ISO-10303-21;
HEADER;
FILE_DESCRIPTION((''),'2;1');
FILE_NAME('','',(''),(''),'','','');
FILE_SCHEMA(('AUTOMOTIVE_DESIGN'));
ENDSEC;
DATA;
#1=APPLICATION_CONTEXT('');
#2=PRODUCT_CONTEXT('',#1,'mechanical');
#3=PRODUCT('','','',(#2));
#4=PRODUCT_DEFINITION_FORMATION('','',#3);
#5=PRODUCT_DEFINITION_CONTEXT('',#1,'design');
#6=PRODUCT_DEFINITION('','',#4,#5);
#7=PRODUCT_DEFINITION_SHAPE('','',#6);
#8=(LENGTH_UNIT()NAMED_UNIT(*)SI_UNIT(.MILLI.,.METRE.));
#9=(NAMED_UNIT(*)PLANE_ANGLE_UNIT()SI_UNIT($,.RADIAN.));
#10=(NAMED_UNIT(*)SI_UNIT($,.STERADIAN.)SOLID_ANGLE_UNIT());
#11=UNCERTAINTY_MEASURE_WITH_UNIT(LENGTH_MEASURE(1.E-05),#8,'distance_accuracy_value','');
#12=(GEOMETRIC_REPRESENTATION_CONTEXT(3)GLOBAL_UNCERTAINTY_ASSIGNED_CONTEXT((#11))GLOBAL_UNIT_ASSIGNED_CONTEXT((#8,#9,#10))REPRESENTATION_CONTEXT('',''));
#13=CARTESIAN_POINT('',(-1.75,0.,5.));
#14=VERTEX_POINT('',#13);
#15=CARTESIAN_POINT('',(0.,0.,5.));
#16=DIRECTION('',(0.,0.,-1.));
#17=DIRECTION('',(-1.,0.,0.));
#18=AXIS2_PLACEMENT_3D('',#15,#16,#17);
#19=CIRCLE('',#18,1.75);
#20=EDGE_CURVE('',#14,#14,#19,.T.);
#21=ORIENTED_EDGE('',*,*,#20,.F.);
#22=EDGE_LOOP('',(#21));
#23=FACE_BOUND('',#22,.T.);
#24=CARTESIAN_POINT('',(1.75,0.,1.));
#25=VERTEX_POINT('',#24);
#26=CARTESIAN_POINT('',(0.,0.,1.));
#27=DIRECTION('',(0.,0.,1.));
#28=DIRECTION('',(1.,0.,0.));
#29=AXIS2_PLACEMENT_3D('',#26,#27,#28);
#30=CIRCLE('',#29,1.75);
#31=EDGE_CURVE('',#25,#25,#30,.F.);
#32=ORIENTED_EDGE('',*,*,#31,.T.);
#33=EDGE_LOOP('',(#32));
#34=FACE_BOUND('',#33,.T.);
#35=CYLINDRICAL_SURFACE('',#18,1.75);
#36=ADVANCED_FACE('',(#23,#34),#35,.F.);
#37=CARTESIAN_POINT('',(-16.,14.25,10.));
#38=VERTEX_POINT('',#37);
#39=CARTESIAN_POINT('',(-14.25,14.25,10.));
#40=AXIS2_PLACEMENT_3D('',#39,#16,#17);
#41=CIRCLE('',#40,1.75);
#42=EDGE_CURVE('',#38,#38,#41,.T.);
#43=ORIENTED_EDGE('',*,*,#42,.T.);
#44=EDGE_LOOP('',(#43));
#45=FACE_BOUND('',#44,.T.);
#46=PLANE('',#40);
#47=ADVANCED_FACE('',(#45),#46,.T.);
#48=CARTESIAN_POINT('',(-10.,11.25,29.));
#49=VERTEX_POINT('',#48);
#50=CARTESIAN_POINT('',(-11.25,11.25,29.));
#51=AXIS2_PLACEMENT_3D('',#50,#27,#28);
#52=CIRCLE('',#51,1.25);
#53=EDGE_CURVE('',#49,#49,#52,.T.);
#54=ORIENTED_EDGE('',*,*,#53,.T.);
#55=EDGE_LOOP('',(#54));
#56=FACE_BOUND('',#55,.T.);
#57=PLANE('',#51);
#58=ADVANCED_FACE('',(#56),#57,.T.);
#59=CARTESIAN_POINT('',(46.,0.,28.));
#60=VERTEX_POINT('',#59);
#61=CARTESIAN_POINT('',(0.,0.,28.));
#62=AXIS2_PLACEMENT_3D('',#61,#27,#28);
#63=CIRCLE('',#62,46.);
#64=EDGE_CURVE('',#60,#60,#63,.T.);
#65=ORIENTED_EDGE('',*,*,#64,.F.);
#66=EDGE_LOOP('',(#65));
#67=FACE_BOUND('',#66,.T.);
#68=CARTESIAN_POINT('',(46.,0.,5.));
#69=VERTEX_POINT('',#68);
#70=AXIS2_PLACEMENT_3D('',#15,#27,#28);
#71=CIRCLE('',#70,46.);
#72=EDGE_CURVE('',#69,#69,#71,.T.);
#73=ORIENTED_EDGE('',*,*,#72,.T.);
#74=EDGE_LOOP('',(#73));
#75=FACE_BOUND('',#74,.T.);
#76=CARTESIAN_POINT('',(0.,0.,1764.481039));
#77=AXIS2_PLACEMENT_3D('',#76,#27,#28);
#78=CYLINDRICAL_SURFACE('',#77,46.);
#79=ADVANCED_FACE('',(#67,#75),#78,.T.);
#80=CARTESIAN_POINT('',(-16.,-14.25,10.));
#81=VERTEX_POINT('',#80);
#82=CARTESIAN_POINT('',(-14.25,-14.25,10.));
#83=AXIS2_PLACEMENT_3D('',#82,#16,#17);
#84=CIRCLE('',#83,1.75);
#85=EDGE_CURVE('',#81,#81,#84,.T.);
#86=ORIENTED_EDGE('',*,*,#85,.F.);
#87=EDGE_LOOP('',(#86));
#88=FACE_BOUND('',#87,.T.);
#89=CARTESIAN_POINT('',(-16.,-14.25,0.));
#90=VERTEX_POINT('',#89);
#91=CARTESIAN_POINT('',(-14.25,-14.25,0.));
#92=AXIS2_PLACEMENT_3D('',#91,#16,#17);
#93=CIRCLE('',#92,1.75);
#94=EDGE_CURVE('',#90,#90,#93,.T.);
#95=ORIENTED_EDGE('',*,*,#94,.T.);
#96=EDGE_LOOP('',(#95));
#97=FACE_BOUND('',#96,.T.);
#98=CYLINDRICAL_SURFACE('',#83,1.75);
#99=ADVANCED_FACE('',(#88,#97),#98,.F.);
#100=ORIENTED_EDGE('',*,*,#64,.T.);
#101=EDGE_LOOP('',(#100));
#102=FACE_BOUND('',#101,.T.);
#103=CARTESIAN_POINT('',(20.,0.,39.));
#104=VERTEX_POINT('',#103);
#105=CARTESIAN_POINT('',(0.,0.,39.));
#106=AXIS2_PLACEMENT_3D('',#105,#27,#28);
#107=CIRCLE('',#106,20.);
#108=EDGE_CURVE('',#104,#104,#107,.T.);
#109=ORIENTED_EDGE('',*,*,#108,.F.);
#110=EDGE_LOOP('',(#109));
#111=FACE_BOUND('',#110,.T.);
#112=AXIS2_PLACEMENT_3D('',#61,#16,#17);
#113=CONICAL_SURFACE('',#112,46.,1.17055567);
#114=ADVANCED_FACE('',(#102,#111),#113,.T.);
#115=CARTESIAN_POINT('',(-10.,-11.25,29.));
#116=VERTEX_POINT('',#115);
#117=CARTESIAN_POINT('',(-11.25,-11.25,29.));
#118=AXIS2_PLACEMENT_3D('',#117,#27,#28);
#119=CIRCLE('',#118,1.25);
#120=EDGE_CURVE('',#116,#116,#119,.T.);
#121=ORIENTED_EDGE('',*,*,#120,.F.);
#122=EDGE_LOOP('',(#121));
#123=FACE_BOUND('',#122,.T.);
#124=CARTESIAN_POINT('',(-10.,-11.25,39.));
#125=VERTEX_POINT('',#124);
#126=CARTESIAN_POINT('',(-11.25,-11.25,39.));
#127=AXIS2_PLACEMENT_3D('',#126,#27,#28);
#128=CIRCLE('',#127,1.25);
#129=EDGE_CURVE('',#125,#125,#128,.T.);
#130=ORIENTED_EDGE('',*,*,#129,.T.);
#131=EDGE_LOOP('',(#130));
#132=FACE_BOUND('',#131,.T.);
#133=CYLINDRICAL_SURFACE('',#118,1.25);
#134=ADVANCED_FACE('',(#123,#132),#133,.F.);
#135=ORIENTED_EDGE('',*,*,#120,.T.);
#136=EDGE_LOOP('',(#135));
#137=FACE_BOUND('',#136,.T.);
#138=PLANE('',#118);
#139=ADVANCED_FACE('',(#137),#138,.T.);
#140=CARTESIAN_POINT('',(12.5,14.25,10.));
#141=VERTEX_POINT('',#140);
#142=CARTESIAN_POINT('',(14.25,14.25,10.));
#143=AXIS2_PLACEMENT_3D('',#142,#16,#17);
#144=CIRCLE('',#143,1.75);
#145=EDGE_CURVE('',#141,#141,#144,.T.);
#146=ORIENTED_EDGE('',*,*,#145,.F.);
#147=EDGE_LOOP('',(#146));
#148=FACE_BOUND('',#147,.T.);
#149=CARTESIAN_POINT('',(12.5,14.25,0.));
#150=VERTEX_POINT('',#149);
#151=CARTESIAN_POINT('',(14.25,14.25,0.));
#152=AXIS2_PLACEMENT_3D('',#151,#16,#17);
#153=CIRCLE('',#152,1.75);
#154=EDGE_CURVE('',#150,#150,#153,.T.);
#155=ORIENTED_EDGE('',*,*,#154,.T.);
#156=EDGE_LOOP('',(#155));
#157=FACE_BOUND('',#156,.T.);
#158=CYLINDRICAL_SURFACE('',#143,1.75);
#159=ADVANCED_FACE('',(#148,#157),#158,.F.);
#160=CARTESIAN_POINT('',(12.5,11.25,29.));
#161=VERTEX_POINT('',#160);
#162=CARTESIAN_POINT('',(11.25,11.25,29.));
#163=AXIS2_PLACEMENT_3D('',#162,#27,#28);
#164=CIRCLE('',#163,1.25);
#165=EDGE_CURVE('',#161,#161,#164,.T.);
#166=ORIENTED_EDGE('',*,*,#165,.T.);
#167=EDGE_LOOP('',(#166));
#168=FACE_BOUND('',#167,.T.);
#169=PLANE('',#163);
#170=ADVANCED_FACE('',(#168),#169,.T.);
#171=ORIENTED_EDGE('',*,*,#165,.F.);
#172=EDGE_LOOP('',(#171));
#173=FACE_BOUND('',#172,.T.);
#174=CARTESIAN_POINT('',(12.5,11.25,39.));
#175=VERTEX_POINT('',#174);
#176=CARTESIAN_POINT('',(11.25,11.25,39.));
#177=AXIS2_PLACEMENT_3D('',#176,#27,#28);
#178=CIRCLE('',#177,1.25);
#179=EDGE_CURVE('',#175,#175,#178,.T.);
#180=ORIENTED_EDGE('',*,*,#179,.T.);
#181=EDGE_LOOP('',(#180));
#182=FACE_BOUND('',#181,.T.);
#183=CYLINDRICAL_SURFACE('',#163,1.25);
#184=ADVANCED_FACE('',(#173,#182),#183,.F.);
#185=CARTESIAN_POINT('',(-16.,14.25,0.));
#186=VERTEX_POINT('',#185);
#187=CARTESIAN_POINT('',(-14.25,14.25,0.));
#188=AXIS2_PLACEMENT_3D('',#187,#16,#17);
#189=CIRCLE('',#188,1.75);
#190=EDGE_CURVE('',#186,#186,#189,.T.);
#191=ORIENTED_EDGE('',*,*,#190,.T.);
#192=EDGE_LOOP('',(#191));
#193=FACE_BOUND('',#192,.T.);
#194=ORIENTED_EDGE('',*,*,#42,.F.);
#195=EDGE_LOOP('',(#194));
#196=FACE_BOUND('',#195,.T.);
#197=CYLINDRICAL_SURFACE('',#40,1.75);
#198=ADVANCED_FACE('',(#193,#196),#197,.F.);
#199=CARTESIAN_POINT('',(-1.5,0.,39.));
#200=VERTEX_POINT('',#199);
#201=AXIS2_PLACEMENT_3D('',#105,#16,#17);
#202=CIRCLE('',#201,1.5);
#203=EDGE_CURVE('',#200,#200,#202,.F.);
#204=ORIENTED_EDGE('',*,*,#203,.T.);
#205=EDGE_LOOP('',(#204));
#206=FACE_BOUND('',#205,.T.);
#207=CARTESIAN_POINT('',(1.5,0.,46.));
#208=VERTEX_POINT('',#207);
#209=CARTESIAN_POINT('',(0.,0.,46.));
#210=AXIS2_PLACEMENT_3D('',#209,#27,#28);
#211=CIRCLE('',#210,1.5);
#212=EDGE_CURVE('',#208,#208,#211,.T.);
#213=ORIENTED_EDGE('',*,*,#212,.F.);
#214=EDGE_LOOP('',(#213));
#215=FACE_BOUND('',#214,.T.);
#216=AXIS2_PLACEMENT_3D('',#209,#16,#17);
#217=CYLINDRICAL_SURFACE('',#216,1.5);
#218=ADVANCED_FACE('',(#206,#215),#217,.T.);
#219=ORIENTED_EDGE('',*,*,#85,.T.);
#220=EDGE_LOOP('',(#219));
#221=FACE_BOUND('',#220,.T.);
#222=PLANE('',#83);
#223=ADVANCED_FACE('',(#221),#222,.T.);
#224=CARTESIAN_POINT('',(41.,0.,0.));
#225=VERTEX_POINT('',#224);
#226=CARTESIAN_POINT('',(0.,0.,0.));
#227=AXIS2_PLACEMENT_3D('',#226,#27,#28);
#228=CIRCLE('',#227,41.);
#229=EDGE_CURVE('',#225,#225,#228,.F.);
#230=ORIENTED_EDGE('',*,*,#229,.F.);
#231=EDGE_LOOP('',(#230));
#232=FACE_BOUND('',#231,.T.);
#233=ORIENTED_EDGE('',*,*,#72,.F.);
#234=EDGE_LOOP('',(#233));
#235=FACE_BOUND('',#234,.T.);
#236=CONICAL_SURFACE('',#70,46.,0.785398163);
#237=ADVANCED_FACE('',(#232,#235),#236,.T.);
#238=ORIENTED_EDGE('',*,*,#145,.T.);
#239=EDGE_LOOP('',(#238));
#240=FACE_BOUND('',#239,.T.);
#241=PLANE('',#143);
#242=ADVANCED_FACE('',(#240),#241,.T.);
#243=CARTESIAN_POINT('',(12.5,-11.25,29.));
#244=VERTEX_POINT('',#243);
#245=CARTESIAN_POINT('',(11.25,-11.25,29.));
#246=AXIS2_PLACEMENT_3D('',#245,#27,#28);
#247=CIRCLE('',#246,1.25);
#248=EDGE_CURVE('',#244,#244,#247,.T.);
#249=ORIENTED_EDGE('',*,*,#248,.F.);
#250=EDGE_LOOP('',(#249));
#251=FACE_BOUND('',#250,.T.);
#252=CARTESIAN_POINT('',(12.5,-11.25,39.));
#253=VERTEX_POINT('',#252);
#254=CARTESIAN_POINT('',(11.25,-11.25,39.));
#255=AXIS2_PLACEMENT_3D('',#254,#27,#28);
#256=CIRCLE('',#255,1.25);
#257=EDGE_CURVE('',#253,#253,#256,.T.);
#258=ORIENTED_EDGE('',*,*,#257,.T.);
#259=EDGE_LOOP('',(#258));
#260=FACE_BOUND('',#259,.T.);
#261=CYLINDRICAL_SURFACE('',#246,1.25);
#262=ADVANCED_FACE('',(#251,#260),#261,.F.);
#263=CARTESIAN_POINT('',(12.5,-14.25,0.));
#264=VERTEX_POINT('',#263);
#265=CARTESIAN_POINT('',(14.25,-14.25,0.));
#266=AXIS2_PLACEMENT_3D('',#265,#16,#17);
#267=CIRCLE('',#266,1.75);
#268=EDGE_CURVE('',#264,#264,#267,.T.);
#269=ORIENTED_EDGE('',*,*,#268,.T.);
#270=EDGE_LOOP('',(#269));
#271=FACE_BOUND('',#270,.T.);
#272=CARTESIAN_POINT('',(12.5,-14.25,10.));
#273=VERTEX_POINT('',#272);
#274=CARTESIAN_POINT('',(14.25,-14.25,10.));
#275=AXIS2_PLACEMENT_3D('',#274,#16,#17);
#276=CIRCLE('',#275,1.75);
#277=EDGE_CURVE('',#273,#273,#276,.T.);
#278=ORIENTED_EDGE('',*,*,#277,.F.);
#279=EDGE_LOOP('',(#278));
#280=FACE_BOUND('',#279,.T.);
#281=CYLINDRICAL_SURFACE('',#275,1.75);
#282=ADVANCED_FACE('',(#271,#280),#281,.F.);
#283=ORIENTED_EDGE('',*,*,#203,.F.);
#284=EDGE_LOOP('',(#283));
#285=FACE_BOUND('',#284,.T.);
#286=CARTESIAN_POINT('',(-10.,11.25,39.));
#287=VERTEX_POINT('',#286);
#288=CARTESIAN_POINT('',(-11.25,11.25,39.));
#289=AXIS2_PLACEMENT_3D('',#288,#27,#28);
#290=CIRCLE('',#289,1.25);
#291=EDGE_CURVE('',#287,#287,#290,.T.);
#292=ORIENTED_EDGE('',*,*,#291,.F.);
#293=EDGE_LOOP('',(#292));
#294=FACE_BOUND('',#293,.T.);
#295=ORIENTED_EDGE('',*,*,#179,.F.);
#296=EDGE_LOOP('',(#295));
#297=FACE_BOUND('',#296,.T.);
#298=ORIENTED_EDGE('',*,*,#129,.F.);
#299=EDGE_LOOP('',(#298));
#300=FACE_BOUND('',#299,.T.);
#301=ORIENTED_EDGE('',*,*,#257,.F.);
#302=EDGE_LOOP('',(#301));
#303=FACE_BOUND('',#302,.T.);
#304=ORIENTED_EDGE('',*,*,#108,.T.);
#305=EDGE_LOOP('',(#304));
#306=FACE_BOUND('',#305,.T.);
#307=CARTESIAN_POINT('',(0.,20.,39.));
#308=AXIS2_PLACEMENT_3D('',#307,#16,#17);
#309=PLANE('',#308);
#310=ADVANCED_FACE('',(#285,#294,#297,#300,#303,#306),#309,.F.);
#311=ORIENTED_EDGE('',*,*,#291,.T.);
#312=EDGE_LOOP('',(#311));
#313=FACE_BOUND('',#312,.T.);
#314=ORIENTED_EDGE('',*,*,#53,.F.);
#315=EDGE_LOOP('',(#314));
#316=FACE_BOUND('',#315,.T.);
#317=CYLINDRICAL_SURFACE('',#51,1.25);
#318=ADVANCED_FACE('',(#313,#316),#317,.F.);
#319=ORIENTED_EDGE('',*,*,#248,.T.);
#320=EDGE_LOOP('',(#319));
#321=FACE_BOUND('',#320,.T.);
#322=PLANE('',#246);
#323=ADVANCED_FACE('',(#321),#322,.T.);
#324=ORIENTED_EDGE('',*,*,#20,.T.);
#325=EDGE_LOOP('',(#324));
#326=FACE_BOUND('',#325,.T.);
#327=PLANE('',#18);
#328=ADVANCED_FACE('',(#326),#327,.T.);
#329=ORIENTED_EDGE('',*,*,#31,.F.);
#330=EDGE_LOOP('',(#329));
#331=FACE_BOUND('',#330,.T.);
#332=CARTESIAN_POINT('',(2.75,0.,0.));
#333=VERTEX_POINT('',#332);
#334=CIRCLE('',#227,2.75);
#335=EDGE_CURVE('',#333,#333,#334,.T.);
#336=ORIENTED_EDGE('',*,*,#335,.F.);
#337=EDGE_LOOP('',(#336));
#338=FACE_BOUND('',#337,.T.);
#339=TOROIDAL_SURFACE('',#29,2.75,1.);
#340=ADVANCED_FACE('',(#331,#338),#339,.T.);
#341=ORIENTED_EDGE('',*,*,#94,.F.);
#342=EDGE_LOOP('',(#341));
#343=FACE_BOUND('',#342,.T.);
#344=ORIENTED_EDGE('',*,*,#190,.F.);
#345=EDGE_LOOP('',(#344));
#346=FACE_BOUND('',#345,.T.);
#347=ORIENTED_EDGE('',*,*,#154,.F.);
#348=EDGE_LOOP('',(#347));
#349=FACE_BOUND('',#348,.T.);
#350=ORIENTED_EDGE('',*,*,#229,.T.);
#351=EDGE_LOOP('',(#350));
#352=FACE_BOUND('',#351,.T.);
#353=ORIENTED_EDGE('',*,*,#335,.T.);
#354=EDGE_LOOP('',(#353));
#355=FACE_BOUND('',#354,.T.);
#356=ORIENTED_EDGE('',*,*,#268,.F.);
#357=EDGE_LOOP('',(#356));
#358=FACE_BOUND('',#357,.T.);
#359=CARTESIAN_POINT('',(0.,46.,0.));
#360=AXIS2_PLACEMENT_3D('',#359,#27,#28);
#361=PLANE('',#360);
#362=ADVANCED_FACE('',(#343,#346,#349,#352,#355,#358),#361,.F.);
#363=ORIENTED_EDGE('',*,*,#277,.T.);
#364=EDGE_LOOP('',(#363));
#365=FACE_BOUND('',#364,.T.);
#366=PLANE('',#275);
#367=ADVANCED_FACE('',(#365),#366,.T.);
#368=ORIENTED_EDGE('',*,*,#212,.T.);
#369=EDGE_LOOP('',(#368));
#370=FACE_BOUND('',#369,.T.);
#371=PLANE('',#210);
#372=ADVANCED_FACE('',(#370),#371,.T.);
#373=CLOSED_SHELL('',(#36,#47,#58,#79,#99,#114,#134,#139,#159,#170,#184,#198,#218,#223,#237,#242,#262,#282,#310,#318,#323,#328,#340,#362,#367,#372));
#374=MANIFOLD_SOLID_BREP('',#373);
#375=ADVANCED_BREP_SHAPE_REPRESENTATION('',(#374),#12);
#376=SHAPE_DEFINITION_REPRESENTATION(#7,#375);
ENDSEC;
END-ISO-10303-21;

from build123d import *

# Parameters (mm, degrees)
SKETCH2_R          = 1.25
ROTOR_HOLES_DEPTH  = 10
SKETCH4_R          = 1.75
STATOR_HOLES_DEPTH = 10
SKETCH5_R          = 1.75
HOLE_DEPTH         = 5
FILLET1_R          = 1
SKETCH6_R          = 1.5
SHAFT_DEPTH        = 7
CHAMFER1_SIZE      = 5


with BuildPart() as part:
    # Sketch1 → Body (revolve)
    with BuildSketch(Plane(origin=(0, 0, 0), x_dir=(0, 0, -1), z_dir=(1, 0, 0)), mode=Mode.PRIVATE) as body_sk:
        Polygon((0, 46), (-28, 46), (-39, 20), (-39, 0), (0, 0), align=None)
    revolve(body_sk.sketch.rotate(Axis((0, 0, 1764.481038956), (0, 0, -1)), 90), axis=Axis((0, 0, 1764.481038956), (0, 0, -1)))

    # Sketch2 → Rotor_Holes (cut)
    with BuildSketch(Plane.XY.offset(39)):
        with Locations((-11.25, 11.25)):
            Circle(SKETCH2_R)
        with Locations((11.25, 11.25)):
            Circle(SKETCH2_R)
        with Locations((11.25, -11.25)):
            Circle(SKETCH2_R)
        with Locations((-11.25, -11.25)):
            Circle(SKETCH2_R)
    extrude(amount=-ROTOR_HOLES_DEPTH, mode=Mode.SUBTRACT)

    # Sketch4 → Stator_Holes (cut)
    with BuildSketch(Plane(origin=(0, 0, 0), x_dir=(-1, 0, 0), z_dir=(0, 0, -1))):
        with Locations((-14.25, 14.25)):
            Circle(SKETCH4_R)
        with Locations((14.25, 14.25)):
            Circle(SKETCH4_R)
        with Locations((14.25, -14.25)):
            Circle(SKETCH4_R)
        with Locations((-14.25, -14.25)):
            Circle(SKETCH4_R)
    extrude(amount=-STATOR_HOLES_DEPTH, mode=Mode.SUBTRACT)

    # Sketch5 → Hole (cut)
    with BuildSketch(Plane(origin=(0, 0, 0), x_dir=(-1, 0, 0), z_dir=(0, 0, -1))):
        Circle(SKETCH5_R)
    extrude(amount=-HOLE_DEPTH, mode=Mode.SUBTRACT)

    # Fillet1
    fillet1_edges = [part.edges().sort_by_distance(p)[0] for p in [
        (1.75, 0, 0),
    ]]
    fillet(fillet1_edges, radius=FILLET1_R)

    # Sketch6 → Shaft (add)
    with BuildSketch(Plane.XY.offset(39)):
        with Locations(Location((0, 0, 0), (0, 0, 180))):
            Circle(SKETCH6_R)
    extrude(amount=SHAFT_DEPTH)

    # Chamfer1
    chamfer1_edges = [part.edges().sort_by_distance(p)[0] for p in [
        (-46, 0, 0),
    ]]
    chamfer(chamfer1_edges, length=CHAMFER1_SIZE)


solid = part.part
